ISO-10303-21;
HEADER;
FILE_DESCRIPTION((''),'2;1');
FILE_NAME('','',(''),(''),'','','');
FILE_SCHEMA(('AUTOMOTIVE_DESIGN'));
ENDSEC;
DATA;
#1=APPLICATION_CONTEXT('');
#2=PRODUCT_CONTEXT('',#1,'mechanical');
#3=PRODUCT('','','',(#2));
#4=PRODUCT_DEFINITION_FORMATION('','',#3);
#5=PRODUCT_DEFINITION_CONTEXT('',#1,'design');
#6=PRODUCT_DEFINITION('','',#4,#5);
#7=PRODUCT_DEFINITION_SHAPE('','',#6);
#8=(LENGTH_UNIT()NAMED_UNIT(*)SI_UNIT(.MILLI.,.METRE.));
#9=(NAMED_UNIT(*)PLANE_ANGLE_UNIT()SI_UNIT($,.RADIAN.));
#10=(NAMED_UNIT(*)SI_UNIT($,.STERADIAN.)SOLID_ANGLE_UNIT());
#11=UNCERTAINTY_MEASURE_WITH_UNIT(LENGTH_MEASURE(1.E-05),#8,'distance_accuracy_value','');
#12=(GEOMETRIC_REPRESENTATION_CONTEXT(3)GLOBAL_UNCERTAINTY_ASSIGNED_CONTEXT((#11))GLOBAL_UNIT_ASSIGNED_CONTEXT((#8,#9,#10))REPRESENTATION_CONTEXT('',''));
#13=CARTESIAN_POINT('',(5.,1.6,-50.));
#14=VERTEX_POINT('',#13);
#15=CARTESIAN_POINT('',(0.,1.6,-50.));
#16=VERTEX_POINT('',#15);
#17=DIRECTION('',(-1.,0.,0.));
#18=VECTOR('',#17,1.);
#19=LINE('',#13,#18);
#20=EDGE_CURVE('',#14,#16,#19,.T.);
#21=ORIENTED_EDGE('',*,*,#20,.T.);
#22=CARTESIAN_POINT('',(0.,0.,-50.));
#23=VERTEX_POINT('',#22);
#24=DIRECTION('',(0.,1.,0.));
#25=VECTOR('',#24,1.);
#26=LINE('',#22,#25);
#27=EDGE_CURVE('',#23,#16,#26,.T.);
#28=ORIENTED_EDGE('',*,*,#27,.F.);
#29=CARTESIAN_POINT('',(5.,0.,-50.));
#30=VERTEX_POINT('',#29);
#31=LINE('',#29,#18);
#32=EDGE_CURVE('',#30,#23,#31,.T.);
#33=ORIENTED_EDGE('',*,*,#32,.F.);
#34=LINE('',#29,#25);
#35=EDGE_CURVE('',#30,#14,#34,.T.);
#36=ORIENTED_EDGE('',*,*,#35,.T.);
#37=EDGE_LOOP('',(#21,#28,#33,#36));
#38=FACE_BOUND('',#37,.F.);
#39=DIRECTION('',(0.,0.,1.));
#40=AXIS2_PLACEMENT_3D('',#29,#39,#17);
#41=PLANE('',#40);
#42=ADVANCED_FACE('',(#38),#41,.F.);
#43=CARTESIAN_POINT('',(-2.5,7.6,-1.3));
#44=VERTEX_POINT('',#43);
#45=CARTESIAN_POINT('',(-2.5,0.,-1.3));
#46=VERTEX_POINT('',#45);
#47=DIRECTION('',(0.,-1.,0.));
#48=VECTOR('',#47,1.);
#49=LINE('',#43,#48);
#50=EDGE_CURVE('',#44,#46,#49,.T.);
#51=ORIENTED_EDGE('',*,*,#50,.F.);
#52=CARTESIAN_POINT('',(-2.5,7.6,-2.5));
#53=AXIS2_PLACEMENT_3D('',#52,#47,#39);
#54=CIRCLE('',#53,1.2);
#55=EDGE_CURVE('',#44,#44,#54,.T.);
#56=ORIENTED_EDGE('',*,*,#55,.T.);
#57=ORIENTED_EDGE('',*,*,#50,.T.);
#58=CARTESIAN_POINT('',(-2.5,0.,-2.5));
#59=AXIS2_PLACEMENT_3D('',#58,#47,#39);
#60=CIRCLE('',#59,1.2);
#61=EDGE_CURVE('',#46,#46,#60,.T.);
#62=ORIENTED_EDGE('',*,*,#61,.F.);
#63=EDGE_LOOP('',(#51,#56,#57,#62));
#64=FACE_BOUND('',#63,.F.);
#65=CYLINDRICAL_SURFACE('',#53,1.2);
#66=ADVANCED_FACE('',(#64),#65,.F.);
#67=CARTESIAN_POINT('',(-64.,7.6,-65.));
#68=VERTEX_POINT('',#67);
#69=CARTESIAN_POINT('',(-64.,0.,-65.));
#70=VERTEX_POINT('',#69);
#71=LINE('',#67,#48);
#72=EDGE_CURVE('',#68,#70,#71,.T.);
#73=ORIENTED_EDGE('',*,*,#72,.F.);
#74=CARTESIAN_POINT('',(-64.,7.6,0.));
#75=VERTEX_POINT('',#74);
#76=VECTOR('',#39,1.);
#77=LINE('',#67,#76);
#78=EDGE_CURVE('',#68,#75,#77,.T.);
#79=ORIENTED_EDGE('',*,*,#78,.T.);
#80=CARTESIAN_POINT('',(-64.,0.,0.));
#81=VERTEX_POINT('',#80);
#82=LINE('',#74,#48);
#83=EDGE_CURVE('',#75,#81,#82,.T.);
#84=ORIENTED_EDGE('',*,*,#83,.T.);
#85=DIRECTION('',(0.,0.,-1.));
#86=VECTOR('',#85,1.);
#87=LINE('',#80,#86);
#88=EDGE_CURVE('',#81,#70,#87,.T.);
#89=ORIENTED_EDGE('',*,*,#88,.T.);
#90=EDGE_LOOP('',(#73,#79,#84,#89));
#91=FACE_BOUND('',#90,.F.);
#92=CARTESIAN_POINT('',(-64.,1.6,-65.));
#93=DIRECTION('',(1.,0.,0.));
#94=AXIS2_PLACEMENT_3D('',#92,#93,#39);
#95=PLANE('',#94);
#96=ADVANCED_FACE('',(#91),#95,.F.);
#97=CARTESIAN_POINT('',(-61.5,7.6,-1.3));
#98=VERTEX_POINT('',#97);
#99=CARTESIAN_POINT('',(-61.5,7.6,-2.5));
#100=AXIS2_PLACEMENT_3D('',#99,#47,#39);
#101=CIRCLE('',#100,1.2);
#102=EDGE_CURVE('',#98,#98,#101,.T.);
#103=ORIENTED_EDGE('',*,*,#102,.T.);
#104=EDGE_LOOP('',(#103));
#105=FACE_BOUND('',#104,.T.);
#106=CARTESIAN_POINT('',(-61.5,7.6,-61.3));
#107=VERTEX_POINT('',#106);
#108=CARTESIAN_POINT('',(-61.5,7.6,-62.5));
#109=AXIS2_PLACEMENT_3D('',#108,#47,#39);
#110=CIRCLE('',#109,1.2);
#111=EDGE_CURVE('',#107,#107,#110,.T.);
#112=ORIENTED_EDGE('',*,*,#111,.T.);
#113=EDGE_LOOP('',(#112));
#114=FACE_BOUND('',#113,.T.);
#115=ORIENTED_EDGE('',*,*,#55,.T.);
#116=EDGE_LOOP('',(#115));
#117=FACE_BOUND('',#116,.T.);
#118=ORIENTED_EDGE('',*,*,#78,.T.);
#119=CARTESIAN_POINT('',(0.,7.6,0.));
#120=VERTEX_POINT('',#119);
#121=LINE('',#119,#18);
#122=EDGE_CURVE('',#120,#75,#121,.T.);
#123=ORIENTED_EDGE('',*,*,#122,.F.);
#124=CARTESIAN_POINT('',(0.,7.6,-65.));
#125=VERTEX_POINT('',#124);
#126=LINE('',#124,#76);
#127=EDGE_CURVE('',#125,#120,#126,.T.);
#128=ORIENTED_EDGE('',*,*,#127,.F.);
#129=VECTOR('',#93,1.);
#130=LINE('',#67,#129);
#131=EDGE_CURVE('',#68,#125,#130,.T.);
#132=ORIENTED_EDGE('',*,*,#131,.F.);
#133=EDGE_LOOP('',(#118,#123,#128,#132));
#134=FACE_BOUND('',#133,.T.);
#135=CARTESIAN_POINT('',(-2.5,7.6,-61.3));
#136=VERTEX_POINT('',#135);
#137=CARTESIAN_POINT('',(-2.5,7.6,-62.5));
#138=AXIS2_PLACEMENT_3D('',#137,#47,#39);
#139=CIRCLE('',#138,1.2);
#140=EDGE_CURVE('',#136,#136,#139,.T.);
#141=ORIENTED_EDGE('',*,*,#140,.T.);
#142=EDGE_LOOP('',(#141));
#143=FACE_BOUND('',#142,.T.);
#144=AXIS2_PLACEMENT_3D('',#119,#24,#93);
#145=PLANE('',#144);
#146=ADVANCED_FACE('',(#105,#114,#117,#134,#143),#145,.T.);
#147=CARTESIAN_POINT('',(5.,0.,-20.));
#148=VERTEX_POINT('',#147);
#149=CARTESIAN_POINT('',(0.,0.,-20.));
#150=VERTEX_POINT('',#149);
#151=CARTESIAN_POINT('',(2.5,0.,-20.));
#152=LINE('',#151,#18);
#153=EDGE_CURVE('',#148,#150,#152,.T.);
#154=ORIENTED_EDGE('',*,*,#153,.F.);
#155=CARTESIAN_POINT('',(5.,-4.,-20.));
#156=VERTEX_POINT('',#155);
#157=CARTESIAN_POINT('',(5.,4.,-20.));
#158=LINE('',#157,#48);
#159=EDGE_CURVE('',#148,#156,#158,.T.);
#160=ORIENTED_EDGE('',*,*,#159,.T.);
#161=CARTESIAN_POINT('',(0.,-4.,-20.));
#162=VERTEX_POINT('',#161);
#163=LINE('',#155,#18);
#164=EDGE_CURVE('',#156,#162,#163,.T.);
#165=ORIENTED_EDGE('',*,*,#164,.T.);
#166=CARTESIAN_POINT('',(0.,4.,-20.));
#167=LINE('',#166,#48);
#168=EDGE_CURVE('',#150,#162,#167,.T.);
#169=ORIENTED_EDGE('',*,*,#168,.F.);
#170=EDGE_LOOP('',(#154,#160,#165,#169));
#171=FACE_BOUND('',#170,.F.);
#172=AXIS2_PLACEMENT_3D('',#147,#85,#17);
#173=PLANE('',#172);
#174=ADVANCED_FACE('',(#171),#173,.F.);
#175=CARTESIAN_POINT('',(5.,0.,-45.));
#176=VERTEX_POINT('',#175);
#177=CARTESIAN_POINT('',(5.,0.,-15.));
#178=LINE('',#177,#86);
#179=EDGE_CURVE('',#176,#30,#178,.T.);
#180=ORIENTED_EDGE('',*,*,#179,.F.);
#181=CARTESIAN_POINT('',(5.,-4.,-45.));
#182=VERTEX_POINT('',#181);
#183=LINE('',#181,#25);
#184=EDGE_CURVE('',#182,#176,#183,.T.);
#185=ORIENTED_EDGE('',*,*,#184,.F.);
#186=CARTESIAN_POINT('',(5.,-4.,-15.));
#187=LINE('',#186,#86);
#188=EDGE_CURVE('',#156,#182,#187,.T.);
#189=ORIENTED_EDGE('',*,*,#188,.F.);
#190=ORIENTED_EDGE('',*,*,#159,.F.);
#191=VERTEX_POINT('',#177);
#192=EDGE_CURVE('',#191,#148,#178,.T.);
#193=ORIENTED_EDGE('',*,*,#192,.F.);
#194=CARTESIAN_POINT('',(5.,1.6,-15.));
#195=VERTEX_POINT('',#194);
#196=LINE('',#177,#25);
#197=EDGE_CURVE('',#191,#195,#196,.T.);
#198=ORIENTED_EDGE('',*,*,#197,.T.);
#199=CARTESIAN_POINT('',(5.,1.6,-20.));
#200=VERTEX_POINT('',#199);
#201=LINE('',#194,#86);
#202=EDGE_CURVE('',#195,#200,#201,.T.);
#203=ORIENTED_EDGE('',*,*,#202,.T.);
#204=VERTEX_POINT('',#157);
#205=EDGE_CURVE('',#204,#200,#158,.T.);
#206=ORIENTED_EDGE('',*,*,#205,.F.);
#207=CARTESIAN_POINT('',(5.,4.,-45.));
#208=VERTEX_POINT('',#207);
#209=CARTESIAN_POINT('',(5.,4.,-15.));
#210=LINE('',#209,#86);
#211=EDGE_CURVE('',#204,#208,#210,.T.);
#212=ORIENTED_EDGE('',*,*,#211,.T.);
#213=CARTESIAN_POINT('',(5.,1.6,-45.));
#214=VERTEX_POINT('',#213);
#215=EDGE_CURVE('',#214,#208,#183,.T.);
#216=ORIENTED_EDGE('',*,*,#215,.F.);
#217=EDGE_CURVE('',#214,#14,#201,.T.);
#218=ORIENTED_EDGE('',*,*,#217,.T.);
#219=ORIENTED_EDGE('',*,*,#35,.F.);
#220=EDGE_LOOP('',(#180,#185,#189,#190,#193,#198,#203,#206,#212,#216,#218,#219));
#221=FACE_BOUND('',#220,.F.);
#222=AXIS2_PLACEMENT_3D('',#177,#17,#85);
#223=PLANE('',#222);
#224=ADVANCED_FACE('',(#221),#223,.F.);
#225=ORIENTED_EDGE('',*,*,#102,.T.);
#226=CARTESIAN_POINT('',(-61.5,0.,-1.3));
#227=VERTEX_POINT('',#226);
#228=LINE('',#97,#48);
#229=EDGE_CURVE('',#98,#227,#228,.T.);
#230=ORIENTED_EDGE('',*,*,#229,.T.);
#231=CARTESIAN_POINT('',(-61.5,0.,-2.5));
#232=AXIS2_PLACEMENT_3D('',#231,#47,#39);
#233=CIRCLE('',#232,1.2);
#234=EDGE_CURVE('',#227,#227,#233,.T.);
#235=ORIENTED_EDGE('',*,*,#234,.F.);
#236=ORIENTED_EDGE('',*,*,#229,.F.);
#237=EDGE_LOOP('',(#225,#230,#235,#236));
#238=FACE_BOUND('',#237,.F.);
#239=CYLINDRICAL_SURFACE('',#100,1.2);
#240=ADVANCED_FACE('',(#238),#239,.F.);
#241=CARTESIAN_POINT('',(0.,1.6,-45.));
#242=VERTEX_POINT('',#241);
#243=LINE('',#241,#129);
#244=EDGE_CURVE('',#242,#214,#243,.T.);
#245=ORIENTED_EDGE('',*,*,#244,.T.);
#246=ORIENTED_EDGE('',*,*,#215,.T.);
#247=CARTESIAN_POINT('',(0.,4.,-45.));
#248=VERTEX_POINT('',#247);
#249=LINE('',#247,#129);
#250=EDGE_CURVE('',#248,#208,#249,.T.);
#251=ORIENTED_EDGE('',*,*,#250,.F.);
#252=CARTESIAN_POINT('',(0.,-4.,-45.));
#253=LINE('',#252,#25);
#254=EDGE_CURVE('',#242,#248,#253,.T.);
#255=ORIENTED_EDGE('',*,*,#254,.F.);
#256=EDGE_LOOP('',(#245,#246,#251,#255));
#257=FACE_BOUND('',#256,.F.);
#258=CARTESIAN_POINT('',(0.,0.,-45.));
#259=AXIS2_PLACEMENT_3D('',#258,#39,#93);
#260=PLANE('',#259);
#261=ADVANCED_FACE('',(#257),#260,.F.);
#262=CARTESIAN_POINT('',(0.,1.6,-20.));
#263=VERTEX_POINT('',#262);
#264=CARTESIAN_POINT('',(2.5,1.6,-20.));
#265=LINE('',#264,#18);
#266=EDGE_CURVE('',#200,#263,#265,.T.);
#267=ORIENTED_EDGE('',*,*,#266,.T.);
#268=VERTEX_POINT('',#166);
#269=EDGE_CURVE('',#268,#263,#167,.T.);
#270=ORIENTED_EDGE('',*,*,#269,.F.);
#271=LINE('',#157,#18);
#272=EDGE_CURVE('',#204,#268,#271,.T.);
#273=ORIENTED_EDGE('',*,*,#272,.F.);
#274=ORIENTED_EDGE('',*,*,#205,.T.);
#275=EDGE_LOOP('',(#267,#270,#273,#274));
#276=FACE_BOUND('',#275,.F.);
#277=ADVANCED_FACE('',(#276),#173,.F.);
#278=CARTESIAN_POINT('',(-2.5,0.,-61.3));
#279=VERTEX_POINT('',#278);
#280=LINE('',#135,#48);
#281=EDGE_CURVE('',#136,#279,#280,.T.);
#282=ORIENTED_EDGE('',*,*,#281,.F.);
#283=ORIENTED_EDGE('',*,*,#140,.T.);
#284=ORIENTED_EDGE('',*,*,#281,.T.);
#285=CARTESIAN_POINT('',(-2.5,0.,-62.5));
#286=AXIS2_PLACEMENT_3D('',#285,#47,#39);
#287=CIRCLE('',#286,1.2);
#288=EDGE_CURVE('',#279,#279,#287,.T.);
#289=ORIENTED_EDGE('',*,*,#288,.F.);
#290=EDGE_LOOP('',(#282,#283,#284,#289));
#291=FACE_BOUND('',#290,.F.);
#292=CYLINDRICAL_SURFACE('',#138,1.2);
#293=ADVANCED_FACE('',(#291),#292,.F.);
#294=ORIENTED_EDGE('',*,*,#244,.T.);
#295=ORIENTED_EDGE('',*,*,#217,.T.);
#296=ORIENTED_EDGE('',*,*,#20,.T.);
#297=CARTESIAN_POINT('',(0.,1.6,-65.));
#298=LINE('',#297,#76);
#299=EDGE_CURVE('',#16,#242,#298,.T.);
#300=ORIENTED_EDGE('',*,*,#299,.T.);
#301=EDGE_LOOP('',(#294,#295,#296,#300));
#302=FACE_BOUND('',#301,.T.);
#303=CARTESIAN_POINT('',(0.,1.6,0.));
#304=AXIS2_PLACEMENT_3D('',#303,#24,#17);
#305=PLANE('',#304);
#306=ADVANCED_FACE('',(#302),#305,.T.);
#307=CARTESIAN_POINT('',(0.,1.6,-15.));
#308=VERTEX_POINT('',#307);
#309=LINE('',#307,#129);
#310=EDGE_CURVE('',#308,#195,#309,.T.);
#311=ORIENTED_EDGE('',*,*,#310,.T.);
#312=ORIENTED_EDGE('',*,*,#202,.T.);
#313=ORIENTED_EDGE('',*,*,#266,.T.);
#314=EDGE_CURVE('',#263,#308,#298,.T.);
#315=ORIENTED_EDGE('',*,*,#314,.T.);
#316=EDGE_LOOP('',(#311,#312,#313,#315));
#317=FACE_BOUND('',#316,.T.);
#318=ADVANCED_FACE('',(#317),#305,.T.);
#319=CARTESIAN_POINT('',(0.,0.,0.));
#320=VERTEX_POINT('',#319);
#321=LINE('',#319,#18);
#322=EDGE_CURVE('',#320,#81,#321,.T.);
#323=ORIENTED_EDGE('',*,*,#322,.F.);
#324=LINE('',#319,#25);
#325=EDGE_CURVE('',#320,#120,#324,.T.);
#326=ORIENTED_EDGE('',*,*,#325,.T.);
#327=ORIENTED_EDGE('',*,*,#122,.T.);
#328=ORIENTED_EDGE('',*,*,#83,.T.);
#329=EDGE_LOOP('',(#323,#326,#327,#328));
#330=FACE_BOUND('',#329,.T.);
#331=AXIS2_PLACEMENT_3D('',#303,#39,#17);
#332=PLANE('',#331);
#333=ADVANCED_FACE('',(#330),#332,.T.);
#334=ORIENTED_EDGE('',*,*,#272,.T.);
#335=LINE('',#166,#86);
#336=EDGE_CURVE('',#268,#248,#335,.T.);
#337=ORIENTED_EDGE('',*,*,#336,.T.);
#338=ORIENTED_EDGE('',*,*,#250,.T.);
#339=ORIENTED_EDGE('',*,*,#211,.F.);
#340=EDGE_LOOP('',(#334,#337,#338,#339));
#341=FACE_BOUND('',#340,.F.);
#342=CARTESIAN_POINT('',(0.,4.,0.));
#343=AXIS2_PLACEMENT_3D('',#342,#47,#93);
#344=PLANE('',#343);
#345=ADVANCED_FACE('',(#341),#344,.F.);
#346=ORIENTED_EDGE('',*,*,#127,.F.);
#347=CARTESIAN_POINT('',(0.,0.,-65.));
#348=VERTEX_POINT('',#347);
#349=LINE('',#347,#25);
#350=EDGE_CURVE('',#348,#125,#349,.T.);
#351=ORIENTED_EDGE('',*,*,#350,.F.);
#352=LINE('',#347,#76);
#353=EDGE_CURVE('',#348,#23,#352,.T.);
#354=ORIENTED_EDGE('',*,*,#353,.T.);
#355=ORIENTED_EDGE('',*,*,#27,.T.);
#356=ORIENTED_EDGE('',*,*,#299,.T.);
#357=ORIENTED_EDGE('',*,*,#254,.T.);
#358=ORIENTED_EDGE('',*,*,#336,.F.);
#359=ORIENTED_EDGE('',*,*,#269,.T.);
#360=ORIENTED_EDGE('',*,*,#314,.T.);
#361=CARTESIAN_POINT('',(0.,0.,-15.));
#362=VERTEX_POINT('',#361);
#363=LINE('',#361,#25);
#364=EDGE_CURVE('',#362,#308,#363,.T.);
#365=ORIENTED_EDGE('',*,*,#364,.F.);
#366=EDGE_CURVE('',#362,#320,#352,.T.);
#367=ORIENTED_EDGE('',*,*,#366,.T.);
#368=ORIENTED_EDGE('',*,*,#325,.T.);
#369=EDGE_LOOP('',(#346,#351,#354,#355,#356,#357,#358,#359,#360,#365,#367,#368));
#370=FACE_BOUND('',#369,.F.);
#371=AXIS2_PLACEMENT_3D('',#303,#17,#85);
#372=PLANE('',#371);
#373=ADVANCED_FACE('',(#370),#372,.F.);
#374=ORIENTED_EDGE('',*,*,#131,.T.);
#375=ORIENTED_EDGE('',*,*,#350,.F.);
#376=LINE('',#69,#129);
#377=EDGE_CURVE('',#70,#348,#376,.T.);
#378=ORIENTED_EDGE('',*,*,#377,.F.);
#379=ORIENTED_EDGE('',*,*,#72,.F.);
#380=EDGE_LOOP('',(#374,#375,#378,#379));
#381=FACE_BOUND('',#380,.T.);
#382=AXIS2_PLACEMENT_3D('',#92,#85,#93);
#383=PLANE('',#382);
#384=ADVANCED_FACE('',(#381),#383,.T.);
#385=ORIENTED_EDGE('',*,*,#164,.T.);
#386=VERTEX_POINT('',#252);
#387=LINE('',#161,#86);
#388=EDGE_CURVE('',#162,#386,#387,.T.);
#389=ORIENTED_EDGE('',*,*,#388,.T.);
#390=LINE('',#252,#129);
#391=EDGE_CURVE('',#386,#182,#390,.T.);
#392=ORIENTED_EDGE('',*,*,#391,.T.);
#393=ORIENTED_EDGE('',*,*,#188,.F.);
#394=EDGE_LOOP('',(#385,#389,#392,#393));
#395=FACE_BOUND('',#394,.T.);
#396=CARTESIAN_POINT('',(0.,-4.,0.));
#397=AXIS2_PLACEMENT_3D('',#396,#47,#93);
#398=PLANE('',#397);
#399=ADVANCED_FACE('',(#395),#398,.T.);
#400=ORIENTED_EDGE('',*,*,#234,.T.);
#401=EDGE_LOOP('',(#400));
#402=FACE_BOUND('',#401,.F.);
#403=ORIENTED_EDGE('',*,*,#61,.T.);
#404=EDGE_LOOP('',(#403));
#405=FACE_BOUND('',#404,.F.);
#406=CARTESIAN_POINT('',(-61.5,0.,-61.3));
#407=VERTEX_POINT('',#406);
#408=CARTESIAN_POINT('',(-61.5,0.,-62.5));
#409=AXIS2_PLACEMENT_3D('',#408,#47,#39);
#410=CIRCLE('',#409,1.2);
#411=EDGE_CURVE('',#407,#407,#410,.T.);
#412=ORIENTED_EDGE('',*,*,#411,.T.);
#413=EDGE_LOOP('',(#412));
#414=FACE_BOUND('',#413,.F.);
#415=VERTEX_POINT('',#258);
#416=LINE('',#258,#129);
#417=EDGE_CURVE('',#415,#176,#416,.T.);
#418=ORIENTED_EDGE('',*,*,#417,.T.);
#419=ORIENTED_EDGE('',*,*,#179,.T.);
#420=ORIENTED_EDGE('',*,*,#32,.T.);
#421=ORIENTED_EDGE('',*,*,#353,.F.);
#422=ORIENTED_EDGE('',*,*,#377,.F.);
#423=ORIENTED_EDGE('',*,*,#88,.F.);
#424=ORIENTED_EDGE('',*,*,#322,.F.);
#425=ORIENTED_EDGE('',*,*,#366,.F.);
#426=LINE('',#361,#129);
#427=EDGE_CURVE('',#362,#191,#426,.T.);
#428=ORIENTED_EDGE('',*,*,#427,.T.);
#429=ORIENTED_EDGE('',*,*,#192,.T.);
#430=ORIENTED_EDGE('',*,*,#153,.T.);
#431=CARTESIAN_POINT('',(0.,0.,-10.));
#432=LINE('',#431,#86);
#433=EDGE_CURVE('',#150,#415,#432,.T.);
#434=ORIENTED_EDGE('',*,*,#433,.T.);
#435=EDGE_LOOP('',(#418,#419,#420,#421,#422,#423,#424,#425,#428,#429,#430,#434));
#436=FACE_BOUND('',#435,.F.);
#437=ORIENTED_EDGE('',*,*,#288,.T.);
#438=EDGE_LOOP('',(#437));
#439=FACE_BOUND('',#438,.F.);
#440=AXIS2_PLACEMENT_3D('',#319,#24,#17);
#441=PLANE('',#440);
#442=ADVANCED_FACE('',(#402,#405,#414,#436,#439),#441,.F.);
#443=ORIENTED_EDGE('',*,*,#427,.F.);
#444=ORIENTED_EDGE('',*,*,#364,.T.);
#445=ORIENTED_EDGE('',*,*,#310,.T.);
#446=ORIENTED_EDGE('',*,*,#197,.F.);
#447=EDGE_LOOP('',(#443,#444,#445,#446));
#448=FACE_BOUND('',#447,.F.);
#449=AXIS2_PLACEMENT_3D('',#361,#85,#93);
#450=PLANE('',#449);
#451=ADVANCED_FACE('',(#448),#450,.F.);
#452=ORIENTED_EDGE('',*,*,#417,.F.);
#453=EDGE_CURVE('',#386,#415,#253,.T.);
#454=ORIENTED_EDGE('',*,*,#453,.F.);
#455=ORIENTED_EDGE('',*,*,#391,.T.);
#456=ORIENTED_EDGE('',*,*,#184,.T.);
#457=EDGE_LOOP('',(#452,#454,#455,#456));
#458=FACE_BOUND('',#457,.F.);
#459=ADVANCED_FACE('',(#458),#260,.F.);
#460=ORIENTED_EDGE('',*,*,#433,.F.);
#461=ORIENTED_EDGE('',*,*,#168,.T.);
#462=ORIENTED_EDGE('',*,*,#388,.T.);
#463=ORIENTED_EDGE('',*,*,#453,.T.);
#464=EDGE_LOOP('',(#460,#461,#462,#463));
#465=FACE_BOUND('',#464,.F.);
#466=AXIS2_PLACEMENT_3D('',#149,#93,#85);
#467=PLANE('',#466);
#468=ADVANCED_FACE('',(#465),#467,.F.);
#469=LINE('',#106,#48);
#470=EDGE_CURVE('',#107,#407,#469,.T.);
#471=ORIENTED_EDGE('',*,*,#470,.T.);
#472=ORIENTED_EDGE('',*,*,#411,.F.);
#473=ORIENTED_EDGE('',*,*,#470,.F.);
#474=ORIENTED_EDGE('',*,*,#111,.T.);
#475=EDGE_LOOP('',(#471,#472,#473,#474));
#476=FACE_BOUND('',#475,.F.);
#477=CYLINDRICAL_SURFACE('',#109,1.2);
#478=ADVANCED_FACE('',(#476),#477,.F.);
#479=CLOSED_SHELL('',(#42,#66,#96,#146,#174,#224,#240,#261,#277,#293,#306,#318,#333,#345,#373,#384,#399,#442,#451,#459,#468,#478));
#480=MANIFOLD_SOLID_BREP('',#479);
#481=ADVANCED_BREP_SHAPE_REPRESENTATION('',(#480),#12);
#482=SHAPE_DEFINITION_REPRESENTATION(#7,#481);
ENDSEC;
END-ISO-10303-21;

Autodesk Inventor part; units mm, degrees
ref_plane "YZ Plane" through (0, 0, 0) normal (1, 0, 0) x (0, 1, 0)
ref_plane "XZ Plane" through (0, 0, 0) normal (0, 1, 0) x (-1, 0, 0)
sketch "Sketch1" plane through (0, 0, 0) normal (0, 1, 0) x (-1, 0, 0)
  line L0 (0, 0) -> (64, 0)
  line L1 (64, 0) -> (64, -65)
  line L2 (64, -65) -> (0, -65)
  line L3 (0, -65) -> (0, 0)
  line L4 (0, -15) -> (-5, -15)
  line L5 (-5, -15) -> (-5, -50)
  line L6 (-5, -50) -> (0, -50)
  line L7 (0, -50) -> (0, -15)
  dimension "d0" = 64
  dimension "d1" = 65
  dimension "d2" = 5
  dimension "d3" = 15
  dimension "d4" = 15
extrude "Extrusion1" add sketch "Sketch1" along normal blind 1.6
sketch "Sketch2" plane through (0, 0, 0) normal (0, -1, 0) x (1, 0, 0)
  line L0 (5, -15) -> (5, -50) projected
  line L1 (5, -20) -> (0, -20)
  line L2 (0, -20) -> (0, -45)
  line L3 (0, -45) -> (5, -45)
  line L4 (5, -45) -> (5, -20)
  point P0 (0, 0)
  point P1 (5, -32.5)
  dimension "d7" = 5
  dimension "d8" = 25
extrude "Extrusion2" add sketch "Sketch2" along normal mid plane 8
sketch "Sketch3" plane through (0, 1.6, 0) normal (0, 1, 0) x (1, 0, 0)
  line L0 (0, 0) -> (0, 15) projected
  line L1 (-64, 65) -> (-64, 0) projected
  line L2 (0, 0) -> (-64, 0)
  line L3 (-64, 0) -> (-64, 65)
  line L4 (-64, 65) -> (0, 65)
  line L5 (0, 65) -> (0, 0)
extrude "Extrusion3" add sketch "Sketch3" along normal blind 6
sketch "Sketch4" plane through (0, 7.6, 0) normal (0, 1, 0) x (1, 0, 0)
  line L0 (-64, 0) -> (0, 0) projected
  line L1 (-64, 65) -> (-64, 0) projected
  point P0 (-61.5, 2.5)
  point P1 (-2.5, 2.5)
  point P2 (-61.5, 62.5)
  point P3 (-2.5, 62.5)
  dimension "d13" = 2.5
  dimension "d14" = 2.5
  dimension "d17" = 59
  dimension "d20" = 60
hole "Hole1" at (-61.5, 7.6, -2.5) at (-2.5, 7.6, -2.5) at (-61.5, 7.6, -62.5) at (-2.5, 7.6, -62.5) direction (0, -1, 0) diameter 2.4 end through all clearance for "Flat Head Machine Screw" size "M2" standard "Ansi Metric M Profile"
ref_plane "Work Plane1" through (-64, 0, -32.5) normal (0, 0, 1) x (1, 0, 0)
properties part number "Keypad"
